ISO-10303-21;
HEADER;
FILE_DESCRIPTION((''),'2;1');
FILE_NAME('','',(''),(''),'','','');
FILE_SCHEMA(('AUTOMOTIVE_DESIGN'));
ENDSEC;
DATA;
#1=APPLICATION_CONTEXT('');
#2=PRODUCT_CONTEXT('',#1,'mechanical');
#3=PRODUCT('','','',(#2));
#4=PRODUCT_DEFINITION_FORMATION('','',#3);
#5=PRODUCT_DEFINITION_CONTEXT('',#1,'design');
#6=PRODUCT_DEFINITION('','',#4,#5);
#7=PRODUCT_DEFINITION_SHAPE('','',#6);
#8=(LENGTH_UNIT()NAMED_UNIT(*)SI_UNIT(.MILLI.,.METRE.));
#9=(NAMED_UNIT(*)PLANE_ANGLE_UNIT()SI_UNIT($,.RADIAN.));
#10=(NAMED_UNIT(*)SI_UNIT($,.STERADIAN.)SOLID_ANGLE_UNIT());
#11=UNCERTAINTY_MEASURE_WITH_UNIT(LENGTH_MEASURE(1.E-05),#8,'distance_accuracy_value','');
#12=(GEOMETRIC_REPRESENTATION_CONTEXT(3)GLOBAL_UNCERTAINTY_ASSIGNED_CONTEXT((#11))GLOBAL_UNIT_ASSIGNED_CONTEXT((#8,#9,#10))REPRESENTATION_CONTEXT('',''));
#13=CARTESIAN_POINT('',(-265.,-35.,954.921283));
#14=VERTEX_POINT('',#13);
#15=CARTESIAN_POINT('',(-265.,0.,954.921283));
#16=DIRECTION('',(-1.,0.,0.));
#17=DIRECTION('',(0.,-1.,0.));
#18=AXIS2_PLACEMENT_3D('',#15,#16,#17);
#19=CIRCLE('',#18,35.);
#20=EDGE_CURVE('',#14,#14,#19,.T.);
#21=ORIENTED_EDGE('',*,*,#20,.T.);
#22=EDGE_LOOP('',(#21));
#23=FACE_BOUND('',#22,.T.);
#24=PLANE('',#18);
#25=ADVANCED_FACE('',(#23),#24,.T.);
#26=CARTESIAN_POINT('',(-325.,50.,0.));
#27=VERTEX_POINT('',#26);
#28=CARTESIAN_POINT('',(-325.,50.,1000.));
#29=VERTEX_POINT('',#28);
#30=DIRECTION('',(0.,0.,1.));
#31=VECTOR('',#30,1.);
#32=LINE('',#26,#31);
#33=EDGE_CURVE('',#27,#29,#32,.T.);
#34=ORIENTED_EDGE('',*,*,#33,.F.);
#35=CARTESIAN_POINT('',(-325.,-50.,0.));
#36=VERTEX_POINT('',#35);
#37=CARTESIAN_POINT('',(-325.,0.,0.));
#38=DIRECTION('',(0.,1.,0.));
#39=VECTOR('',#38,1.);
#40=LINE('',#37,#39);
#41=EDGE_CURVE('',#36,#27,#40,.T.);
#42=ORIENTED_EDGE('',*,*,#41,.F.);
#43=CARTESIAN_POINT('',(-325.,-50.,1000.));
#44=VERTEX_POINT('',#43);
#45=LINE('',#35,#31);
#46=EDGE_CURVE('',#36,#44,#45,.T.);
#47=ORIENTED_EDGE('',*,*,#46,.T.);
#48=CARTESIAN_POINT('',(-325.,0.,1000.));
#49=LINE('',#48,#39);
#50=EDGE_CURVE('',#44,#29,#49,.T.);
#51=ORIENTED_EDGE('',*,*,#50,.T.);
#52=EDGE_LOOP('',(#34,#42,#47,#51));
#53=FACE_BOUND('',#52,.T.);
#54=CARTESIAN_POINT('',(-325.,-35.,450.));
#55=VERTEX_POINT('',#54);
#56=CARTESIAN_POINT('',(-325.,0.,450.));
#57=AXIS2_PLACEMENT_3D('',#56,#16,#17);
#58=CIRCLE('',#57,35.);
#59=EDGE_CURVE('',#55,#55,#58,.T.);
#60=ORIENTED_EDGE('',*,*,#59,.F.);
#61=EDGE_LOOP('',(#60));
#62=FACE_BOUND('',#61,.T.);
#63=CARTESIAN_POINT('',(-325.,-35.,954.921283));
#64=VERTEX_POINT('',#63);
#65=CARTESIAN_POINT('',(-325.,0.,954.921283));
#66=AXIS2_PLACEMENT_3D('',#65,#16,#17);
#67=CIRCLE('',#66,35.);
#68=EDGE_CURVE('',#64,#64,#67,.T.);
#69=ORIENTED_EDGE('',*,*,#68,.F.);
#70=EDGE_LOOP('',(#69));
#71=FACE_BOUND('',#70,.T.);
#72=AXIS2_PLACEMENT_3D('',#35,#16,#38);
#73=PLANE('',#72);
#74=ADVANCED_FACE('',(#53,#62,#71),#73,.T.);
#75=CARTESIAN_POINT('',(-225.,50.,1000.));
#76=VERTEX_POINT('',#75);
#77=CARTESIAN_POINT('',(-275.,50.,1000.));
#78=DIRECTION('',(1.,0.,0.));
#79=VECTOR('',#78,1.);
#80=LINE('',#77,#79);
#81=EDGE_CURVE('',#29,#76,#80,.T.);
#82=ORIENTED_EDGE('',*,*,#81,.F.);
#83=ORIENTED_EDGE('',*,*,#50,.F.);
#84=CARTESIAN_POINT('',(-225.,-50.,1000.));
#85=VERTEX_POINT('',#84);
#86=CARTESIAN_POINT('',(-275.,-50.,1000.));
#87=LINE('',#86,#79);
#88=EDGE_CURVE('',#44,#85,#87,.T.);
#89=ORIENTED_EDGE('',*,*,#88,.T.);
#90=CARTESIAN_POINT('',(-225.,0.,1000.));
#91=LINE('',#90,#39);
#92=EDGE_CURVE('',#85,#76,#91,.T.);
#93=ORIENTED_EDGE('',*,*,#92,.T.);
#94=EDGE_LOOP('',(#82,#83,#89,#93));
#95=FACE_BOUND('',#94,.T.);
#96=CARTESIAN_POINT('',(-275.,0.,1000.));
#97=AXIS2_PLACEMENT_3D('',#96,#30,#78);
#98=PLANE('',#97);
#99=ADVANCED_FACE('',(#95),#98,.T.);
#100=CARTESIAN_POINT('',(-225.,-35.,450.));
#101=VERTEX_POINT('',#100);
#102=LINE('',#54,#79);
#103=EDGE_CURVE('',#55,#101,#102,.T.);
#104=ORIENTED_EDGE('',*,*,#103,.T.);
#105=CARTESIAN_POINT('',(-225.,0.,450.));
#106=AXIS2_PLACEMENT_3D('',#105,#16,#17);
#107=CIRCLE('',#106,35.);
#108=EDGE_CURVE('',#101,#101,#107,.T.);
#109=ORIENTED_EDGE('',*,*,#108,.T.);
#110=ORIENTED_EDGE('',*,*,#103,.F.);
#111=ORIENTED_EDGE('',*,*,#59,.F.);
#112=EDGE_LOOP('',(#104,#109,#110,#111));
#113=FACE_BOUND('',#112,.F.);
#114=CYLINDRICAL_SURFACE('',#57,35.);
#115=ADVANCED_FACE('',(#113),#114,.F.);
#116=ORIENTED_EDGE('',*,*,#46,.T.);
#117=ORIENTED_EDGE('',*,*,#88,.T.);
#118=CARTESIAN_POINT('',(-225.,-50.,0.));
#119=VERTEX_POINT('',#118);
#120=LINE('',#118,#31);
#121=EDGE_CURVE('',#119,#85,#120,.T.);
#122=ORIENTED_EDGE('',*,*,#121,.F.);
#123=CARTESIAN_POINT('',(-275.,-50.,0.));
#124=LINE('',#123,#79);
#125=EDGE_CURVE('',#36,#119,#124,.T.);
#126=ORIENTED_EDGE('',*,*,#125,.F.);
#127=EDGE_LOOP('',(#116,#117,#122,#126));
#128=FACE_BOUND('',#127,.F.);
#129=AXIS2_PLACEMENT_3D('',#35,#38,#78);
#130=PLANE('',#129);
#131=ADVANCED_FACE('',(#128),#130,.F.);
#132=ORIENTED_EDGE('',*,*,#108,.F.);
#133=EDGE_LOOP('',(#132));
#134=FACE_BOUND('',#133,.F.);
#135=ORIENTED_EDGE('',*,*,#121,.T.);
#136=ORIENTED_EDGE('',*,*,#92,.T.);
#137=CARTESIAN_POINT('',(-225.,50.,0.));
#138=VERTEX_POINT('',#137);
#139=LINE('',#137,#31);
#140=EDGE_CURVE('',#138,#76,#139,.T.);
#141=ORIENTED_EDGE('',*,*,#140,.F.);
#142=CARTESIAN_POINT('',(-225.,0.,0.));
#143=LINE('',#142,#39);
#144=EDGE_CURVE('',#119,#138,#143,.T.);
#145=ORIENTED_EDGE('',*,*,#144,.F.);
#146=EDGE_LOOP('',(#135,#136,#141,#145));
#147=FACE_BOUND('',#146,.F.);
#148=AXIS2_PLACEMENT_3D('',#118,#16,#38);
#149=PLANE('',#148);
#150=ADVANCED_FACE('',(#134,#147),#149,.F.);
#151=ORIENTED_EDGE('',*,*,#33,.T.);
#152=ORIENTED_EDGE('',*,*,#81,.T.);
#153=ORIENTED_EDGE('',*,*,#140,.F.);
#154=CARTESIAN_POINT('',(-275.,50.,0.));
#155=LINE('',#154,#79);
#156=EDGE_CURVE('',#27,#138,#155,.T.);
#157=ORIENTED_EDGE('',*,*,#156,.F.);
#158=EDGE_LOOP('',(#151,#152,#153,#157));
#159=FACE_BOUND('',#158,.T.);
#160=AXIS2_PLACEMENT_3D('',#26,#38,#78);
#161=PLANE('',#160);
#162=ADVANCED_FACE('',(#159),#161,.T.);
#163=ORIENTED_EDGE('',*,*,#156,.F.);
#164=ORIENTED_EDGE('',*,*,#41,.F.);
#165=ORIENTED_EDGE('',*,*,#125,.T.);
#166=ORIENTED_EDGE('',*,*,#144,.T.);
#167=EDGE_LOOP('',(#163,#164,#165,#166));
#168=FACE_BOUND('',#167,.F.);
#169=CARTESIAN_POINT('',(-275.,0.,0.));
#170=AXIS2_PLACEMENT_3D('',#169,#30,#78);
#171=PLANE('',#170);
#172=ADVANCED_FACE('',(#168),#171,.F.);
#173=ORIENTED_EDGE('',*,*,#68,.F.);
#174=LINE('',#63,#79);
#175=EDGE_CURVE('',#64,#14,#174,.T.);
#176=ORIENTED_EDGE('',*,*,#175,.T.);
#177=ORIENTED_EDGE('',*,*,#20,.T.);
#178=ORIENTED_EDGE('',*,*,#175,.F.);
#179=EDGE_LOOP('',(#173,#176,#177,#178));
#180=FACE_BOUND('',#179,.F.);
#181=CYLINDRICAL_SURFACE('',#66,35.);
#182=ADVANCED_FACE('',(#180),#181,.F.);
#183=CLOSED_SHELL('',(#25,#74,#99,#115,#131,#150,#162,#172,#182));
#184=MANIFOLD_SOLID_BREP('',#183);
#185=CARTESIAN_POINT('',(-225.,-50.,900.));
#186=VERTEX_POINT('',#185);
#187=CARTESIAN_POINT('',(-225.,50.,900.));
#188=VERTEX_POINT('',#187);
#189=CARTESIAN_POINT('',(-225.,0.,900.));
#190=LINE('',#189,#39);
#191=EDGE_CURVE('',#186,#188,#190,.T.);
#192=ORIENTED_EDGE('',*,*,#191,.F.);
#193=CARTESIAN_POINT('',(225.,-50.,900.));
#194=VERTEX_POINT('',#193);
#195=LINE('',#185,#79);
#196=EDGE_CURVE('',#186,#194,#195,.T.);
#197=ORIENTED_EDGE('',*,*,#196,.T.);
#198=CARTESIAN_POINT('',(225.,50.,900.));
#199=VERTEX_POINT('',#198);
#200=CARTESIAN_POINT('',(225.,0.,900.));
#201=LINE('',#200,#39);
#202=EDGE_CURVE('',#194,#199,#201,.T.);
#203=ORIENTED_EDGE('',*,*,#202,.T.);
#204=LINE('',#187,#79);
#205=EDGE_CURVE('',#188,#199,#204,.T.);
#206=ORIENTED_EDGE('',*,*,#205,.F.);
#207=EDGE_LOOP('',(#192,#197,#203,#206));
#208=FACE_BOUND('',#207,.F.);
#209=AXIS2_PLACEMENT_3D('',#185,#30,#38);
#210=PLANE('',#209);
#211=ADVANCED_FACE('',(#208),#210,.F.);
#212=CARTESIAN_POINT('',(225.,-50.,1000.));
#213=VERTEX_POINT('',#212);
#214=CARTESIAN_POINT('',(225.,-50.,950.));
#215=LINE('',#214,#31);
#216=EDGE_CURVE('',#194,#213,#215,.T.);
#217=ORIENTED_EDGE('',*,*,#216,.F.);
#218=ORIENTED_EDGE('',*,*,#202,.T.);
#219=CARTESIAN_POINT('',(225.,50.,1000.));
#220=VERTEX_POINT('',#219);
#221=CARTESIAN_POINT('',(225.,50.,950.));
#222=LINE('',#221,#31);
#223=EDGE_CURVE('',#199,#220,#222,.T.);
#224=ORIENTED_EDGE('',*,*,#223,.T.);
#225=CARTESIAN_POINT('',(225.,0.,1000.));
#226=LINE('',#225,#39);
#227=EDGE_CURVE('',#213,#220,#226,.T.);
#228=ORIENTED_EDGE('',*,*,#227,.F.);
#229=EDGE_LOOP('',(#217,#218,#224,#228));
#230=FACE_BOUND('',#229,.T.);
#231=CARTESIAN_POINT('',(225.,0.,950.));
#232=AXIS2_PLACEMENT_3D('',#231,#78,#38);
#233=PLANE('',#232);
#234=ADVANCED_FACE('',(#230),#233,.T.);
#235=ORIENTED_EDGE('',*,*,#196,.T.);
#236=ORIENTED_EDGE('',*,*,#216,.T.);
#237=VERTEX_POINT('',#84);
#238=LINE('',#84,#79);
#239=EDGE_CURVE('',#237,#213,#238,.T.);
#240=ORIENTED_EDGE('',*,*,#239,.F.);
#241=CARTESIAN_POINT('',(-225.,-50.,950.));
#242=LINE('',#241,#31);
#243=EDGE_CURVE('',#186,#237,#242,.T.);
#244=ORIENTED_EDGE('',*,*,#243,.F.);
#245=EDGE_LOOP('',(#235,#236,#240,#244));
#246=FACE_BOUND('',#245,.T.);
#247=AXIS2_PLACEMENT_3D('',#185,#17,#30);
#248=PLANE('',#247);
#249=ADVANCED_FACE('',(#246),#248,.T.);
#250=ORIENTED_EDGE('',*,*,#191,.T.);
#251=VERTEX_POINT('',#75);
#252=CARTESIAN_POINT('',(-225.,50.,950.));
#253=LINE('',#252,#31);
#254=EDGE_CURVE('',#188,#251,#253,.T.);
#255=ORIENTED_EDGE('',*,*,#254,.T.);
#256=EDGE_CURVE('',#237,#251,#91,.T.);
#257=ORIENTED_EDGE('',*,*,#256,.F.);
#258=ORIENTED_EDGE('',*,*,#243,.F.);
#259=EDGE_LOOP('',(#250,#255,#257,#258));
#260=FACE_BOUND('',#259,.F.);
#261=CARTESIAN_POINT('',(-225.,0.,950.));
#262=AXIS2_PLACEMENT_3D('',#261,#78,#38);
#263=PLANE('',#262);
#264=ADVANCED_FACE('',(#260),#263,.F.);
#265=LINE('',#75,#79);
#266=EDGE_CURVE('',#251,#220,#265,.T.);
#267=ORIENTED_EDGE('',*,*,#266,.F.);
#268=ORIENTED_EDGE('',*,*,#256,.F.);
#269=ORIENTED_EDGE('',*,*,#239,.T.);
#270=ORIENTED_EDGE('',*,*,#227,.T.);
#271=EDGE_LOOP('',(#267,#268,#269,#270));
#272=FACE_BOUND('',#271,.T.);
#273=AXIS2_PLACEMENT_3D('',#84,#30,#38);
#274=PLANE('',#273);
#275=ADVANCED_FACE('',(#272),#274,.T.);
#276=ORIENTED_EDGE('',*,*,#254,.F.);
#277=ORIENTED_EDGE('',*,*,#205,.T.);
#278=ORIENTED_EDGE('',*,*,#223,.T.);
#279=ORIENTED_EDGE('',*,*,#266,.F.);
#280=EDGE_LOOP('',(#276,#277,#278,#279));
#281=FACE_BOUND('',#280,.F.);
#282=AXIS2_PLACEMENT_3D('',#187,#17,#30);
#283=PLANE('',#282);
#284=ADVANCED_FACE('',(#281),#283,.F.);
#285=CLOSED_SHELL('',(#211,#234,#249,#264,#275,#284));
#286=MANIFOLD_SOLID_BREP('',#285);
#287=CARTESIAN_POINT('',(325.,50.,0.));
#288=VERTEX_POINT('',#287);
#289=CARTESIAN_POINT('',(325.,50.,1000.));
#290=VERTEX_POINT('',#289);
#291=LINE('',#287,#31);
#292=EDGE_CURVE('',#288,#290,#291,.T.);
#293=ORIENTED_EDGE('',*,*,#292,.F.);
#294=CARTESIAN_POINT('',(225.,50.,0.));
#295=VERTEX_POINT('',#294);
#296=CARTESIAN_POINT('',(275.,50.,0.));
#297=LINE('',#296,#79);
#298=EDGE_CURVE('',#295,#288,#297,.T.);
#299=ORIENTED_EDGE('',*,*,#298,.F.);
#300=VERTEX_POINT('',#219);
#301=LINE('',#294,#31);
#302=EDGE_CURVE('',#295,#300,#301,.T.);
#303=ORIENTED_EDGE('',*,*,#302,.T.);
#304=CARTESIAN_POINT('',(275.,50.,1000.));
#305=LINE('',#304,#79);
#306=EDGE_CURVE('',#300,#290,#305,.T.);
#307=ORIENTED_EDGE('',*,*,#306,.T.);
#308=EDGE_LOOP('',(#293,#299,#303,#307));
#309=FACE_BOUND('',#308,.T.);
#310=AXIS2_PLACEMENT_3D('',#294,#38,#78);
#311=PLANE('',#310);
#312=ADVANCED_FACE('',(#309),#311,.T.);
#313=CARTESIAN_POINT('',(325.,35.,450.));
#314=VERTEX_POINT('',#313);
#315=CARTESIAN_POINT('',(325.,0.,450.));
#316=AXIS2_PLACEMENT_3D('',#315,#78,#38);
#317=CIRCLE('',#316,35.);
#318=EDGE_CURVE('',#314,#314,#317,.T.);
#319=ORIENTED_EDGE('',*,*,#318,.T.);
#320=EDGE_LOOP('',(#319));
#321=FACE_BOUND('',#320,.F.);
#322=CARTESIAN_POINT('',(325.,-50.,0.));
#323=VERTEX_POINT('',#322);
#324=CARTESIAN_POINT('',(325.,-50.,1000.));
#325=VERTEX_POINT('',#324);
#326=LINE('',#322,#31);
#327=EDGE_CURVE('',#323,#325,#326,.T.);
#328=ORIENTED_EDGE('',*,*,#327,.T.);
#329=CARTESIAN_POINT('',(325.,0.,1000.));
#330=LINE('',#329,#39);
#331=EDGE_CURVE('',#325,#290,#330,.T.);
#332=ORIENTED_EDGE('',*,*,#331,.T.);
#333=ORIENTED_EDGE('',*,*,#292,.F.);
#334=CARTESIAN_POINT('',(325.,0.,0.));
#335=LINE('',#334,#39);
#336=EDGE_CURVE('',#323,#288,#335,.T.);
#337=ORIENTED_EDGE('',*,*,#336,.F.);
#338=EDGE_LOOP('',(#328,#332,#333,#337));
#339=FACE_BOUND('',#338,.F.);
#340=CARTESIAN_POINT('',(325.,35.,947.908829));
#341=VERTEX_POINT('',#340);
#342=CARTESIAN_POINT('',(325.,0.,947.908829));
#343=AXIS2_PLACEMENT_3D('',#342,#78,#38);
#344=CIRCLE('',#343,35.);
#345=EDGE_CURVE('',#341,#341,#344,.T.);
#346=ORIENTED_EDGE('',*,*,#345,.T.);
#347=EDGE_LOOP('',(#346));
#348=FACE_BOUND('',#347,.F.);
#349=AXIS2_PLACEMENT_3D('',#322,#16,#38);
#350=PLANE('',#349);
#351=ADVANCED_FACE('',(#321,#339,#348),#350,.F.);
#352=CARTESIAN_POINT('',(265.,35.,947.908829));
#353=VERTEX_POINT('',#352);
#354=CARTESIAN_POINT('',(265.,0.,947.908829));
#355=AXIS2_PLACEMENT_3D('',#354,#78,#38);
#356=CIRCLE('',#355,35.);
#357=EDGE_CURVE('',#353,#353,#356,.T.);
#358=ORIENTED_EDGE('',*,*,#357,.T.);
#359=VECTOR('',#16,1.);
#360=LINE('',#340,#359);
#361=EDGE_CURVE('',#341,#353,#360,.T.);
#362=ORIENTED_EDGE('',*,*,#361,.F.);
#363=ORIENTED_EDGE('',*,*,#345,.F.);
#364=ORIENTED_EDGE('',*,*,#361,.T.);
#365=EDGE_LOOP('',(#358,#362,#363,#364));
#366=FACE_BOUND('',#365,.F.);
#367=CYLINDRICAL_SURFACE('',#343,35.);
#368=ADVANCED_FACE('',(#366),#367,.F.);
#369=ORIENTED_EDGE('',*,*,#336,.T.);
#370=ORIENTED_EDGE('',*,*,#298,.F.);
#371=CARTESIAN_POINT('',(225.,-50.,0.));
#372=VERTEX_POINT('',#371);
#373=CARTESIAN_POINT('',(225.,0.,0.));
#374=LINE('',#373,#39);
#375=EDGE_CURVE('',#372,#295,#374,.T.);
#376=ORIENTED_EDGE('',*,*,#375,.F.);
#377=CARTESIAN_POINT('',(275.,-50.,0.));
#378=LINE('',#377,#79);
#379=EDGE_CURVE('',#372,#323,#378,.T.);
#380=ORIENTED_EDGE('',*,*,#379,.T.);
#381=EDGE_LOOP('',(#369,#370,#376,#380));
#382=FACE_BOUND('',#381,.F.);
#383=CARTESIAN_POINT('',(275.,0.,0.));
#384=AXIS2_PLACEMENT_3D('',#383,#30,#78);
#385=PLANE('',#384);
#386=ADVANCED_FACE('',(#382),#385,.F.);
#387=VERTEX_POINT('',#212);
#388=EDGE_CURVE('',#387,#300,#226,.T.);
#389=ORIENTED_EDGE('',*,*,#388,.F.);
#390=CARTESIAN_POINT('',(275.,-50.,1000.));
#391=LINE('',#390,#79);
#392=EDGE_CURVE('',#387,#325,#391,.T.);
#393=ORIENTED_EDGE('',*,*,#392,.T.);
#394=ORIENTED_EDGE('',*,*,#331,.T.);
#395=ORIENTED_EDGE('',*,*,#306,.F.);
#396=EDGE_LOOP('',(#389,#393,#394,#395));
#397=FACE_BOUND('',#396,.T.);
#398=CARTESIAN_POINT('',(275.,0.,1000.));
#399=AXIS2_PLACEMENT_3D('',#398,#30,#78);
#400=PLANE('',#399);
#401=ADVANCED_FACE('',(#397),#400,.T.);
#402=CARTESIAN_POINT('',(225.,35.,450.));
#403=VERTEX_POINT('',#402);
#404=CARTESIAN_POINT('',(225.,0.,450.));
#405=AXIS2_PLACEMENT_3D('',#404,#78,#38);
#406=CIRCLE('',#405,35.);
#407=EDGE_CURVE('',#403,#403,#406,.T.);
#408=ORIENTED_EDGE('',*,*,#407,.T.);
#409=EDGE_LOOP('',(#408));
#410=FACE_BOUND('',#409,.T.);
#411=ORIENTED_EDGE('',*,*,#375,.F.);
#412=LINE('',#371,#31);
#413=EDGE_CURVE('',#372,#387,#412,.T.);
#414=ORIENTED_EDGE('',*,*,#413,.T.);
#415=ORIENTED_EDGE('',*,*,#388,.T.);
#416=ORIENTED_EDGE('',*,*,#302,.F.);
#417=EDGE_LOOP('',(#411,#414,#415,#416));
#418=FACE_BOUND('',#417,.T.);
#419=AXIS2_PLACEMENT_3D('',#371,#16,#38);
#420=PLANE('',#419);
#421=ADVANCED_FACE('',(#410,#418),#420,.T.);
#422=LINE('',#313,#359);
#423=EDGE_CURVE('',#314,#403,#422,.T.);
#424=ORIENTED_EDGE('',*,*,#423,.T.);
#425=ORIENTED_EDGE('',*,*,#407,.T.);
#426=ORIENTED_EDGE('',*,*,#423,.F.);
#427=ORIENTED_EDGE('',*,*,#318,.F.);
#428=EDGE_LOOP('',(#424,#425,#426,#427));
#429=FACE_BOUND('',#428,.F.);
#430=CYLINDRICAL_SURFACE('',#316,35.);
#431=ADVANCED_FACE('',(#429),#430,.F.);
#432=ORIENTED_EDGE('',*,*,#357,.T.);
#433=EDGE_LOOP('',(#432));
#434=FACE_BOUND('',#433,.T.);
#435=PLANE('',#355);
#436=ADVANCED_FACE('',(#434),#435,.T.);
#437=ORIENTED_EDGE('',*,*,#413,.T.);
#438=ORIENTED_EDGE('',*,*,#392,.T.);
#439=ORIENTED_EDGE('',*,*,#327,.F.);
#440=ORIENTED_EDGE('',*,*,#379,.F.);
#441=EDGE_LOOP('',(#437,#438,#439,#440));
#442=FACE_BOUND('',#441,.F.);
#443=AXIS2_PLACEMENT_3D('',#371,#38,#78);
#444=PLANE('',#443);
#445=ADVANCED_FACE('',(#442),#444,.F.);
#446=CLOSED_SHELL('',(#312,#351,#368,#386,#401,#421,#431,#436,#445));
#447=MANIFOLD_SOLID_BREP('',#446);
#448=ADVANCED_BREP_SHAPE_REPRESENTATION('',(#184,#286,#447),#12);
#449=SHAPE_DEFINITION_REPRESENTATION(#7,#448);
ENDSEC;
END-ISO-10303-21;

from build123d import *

# Parameters (mm, degrees)
F0_W      = 100
F0_H      = 100
F1_DEPTH  = 1000
F2_W      = 100
F2_H      = 100
F3_DEPTH  = 450
F4_R      = 35
F5_DEPTH  = 100
F6_R      = 35
F7_DEPTH  = 100
F8_R      = 35
F9_DEPTH  = 60
F10_R     = 35
F11_DEPTH = 60


with BuildPart() as f1:
    # F0 (on Top) → F1 (new body)
    with BuildSketch(Plane.XY):
        with Locations((-275, 0)):
            Rectangle(F0_W, F0_H)
        with Locations((275, 0)):
            Rectangle(F0_W, F0_H)
    extrude(amount=F1_DEPTH)

    # F4 (on face) → F5 (cut, through all)
    with BuildSketch(Plane.YZ.offset(325)):
        with Locations((0, 450)):
            Circle(F4_R)
    extrude(amount=-F5_DEPTH, mode=Mode.SUBTRACT)

    # F6 (on face) → F7 (cut, through all)
    with BuildSketch(Plane(origin=(-325, 0, 0), x_dir=(0, -1, 0), z_dir=(-1, 0, 0))):
        with Locations((0, 450)):
            Circle(F6_R)
    extrude(amount=-F7_DEPTH, mode=Mode.SUBTRACT)

    # F8 (on face) → F9 (cut)
    with BuildSketch(Plane(origin=(-325, 0, 0), x_dir=(0, -1, 0), z_dir=(-1, 0, 0))):
        with Locations((0, 954.921283)):
            Circle(F8_R)
    extrude(amount=-F9_DEPTH, mode=Mode.SUBTRACT)

    # F10 (on face) → F11 (cut)
    with BuildSketch(Plane.YZ.offset(325)):
        with Locations((0, 947.908829)):
            Circle(F10_R)
    extrude(amount=-F11_DEPTH, mode=Mode.SUBTRACT)


with BuildPart() as f3:
    # F2 (on face) → F3 (new body, through all)
    with BuildSketch(Plane.YZ.offset(-225)):
        with Locations((0, 950)):
            Rectangle(F2_W, F2_H)
    extrude(amount=F3_DEPTH)


solid = Compound([f1.part, f3.part])
